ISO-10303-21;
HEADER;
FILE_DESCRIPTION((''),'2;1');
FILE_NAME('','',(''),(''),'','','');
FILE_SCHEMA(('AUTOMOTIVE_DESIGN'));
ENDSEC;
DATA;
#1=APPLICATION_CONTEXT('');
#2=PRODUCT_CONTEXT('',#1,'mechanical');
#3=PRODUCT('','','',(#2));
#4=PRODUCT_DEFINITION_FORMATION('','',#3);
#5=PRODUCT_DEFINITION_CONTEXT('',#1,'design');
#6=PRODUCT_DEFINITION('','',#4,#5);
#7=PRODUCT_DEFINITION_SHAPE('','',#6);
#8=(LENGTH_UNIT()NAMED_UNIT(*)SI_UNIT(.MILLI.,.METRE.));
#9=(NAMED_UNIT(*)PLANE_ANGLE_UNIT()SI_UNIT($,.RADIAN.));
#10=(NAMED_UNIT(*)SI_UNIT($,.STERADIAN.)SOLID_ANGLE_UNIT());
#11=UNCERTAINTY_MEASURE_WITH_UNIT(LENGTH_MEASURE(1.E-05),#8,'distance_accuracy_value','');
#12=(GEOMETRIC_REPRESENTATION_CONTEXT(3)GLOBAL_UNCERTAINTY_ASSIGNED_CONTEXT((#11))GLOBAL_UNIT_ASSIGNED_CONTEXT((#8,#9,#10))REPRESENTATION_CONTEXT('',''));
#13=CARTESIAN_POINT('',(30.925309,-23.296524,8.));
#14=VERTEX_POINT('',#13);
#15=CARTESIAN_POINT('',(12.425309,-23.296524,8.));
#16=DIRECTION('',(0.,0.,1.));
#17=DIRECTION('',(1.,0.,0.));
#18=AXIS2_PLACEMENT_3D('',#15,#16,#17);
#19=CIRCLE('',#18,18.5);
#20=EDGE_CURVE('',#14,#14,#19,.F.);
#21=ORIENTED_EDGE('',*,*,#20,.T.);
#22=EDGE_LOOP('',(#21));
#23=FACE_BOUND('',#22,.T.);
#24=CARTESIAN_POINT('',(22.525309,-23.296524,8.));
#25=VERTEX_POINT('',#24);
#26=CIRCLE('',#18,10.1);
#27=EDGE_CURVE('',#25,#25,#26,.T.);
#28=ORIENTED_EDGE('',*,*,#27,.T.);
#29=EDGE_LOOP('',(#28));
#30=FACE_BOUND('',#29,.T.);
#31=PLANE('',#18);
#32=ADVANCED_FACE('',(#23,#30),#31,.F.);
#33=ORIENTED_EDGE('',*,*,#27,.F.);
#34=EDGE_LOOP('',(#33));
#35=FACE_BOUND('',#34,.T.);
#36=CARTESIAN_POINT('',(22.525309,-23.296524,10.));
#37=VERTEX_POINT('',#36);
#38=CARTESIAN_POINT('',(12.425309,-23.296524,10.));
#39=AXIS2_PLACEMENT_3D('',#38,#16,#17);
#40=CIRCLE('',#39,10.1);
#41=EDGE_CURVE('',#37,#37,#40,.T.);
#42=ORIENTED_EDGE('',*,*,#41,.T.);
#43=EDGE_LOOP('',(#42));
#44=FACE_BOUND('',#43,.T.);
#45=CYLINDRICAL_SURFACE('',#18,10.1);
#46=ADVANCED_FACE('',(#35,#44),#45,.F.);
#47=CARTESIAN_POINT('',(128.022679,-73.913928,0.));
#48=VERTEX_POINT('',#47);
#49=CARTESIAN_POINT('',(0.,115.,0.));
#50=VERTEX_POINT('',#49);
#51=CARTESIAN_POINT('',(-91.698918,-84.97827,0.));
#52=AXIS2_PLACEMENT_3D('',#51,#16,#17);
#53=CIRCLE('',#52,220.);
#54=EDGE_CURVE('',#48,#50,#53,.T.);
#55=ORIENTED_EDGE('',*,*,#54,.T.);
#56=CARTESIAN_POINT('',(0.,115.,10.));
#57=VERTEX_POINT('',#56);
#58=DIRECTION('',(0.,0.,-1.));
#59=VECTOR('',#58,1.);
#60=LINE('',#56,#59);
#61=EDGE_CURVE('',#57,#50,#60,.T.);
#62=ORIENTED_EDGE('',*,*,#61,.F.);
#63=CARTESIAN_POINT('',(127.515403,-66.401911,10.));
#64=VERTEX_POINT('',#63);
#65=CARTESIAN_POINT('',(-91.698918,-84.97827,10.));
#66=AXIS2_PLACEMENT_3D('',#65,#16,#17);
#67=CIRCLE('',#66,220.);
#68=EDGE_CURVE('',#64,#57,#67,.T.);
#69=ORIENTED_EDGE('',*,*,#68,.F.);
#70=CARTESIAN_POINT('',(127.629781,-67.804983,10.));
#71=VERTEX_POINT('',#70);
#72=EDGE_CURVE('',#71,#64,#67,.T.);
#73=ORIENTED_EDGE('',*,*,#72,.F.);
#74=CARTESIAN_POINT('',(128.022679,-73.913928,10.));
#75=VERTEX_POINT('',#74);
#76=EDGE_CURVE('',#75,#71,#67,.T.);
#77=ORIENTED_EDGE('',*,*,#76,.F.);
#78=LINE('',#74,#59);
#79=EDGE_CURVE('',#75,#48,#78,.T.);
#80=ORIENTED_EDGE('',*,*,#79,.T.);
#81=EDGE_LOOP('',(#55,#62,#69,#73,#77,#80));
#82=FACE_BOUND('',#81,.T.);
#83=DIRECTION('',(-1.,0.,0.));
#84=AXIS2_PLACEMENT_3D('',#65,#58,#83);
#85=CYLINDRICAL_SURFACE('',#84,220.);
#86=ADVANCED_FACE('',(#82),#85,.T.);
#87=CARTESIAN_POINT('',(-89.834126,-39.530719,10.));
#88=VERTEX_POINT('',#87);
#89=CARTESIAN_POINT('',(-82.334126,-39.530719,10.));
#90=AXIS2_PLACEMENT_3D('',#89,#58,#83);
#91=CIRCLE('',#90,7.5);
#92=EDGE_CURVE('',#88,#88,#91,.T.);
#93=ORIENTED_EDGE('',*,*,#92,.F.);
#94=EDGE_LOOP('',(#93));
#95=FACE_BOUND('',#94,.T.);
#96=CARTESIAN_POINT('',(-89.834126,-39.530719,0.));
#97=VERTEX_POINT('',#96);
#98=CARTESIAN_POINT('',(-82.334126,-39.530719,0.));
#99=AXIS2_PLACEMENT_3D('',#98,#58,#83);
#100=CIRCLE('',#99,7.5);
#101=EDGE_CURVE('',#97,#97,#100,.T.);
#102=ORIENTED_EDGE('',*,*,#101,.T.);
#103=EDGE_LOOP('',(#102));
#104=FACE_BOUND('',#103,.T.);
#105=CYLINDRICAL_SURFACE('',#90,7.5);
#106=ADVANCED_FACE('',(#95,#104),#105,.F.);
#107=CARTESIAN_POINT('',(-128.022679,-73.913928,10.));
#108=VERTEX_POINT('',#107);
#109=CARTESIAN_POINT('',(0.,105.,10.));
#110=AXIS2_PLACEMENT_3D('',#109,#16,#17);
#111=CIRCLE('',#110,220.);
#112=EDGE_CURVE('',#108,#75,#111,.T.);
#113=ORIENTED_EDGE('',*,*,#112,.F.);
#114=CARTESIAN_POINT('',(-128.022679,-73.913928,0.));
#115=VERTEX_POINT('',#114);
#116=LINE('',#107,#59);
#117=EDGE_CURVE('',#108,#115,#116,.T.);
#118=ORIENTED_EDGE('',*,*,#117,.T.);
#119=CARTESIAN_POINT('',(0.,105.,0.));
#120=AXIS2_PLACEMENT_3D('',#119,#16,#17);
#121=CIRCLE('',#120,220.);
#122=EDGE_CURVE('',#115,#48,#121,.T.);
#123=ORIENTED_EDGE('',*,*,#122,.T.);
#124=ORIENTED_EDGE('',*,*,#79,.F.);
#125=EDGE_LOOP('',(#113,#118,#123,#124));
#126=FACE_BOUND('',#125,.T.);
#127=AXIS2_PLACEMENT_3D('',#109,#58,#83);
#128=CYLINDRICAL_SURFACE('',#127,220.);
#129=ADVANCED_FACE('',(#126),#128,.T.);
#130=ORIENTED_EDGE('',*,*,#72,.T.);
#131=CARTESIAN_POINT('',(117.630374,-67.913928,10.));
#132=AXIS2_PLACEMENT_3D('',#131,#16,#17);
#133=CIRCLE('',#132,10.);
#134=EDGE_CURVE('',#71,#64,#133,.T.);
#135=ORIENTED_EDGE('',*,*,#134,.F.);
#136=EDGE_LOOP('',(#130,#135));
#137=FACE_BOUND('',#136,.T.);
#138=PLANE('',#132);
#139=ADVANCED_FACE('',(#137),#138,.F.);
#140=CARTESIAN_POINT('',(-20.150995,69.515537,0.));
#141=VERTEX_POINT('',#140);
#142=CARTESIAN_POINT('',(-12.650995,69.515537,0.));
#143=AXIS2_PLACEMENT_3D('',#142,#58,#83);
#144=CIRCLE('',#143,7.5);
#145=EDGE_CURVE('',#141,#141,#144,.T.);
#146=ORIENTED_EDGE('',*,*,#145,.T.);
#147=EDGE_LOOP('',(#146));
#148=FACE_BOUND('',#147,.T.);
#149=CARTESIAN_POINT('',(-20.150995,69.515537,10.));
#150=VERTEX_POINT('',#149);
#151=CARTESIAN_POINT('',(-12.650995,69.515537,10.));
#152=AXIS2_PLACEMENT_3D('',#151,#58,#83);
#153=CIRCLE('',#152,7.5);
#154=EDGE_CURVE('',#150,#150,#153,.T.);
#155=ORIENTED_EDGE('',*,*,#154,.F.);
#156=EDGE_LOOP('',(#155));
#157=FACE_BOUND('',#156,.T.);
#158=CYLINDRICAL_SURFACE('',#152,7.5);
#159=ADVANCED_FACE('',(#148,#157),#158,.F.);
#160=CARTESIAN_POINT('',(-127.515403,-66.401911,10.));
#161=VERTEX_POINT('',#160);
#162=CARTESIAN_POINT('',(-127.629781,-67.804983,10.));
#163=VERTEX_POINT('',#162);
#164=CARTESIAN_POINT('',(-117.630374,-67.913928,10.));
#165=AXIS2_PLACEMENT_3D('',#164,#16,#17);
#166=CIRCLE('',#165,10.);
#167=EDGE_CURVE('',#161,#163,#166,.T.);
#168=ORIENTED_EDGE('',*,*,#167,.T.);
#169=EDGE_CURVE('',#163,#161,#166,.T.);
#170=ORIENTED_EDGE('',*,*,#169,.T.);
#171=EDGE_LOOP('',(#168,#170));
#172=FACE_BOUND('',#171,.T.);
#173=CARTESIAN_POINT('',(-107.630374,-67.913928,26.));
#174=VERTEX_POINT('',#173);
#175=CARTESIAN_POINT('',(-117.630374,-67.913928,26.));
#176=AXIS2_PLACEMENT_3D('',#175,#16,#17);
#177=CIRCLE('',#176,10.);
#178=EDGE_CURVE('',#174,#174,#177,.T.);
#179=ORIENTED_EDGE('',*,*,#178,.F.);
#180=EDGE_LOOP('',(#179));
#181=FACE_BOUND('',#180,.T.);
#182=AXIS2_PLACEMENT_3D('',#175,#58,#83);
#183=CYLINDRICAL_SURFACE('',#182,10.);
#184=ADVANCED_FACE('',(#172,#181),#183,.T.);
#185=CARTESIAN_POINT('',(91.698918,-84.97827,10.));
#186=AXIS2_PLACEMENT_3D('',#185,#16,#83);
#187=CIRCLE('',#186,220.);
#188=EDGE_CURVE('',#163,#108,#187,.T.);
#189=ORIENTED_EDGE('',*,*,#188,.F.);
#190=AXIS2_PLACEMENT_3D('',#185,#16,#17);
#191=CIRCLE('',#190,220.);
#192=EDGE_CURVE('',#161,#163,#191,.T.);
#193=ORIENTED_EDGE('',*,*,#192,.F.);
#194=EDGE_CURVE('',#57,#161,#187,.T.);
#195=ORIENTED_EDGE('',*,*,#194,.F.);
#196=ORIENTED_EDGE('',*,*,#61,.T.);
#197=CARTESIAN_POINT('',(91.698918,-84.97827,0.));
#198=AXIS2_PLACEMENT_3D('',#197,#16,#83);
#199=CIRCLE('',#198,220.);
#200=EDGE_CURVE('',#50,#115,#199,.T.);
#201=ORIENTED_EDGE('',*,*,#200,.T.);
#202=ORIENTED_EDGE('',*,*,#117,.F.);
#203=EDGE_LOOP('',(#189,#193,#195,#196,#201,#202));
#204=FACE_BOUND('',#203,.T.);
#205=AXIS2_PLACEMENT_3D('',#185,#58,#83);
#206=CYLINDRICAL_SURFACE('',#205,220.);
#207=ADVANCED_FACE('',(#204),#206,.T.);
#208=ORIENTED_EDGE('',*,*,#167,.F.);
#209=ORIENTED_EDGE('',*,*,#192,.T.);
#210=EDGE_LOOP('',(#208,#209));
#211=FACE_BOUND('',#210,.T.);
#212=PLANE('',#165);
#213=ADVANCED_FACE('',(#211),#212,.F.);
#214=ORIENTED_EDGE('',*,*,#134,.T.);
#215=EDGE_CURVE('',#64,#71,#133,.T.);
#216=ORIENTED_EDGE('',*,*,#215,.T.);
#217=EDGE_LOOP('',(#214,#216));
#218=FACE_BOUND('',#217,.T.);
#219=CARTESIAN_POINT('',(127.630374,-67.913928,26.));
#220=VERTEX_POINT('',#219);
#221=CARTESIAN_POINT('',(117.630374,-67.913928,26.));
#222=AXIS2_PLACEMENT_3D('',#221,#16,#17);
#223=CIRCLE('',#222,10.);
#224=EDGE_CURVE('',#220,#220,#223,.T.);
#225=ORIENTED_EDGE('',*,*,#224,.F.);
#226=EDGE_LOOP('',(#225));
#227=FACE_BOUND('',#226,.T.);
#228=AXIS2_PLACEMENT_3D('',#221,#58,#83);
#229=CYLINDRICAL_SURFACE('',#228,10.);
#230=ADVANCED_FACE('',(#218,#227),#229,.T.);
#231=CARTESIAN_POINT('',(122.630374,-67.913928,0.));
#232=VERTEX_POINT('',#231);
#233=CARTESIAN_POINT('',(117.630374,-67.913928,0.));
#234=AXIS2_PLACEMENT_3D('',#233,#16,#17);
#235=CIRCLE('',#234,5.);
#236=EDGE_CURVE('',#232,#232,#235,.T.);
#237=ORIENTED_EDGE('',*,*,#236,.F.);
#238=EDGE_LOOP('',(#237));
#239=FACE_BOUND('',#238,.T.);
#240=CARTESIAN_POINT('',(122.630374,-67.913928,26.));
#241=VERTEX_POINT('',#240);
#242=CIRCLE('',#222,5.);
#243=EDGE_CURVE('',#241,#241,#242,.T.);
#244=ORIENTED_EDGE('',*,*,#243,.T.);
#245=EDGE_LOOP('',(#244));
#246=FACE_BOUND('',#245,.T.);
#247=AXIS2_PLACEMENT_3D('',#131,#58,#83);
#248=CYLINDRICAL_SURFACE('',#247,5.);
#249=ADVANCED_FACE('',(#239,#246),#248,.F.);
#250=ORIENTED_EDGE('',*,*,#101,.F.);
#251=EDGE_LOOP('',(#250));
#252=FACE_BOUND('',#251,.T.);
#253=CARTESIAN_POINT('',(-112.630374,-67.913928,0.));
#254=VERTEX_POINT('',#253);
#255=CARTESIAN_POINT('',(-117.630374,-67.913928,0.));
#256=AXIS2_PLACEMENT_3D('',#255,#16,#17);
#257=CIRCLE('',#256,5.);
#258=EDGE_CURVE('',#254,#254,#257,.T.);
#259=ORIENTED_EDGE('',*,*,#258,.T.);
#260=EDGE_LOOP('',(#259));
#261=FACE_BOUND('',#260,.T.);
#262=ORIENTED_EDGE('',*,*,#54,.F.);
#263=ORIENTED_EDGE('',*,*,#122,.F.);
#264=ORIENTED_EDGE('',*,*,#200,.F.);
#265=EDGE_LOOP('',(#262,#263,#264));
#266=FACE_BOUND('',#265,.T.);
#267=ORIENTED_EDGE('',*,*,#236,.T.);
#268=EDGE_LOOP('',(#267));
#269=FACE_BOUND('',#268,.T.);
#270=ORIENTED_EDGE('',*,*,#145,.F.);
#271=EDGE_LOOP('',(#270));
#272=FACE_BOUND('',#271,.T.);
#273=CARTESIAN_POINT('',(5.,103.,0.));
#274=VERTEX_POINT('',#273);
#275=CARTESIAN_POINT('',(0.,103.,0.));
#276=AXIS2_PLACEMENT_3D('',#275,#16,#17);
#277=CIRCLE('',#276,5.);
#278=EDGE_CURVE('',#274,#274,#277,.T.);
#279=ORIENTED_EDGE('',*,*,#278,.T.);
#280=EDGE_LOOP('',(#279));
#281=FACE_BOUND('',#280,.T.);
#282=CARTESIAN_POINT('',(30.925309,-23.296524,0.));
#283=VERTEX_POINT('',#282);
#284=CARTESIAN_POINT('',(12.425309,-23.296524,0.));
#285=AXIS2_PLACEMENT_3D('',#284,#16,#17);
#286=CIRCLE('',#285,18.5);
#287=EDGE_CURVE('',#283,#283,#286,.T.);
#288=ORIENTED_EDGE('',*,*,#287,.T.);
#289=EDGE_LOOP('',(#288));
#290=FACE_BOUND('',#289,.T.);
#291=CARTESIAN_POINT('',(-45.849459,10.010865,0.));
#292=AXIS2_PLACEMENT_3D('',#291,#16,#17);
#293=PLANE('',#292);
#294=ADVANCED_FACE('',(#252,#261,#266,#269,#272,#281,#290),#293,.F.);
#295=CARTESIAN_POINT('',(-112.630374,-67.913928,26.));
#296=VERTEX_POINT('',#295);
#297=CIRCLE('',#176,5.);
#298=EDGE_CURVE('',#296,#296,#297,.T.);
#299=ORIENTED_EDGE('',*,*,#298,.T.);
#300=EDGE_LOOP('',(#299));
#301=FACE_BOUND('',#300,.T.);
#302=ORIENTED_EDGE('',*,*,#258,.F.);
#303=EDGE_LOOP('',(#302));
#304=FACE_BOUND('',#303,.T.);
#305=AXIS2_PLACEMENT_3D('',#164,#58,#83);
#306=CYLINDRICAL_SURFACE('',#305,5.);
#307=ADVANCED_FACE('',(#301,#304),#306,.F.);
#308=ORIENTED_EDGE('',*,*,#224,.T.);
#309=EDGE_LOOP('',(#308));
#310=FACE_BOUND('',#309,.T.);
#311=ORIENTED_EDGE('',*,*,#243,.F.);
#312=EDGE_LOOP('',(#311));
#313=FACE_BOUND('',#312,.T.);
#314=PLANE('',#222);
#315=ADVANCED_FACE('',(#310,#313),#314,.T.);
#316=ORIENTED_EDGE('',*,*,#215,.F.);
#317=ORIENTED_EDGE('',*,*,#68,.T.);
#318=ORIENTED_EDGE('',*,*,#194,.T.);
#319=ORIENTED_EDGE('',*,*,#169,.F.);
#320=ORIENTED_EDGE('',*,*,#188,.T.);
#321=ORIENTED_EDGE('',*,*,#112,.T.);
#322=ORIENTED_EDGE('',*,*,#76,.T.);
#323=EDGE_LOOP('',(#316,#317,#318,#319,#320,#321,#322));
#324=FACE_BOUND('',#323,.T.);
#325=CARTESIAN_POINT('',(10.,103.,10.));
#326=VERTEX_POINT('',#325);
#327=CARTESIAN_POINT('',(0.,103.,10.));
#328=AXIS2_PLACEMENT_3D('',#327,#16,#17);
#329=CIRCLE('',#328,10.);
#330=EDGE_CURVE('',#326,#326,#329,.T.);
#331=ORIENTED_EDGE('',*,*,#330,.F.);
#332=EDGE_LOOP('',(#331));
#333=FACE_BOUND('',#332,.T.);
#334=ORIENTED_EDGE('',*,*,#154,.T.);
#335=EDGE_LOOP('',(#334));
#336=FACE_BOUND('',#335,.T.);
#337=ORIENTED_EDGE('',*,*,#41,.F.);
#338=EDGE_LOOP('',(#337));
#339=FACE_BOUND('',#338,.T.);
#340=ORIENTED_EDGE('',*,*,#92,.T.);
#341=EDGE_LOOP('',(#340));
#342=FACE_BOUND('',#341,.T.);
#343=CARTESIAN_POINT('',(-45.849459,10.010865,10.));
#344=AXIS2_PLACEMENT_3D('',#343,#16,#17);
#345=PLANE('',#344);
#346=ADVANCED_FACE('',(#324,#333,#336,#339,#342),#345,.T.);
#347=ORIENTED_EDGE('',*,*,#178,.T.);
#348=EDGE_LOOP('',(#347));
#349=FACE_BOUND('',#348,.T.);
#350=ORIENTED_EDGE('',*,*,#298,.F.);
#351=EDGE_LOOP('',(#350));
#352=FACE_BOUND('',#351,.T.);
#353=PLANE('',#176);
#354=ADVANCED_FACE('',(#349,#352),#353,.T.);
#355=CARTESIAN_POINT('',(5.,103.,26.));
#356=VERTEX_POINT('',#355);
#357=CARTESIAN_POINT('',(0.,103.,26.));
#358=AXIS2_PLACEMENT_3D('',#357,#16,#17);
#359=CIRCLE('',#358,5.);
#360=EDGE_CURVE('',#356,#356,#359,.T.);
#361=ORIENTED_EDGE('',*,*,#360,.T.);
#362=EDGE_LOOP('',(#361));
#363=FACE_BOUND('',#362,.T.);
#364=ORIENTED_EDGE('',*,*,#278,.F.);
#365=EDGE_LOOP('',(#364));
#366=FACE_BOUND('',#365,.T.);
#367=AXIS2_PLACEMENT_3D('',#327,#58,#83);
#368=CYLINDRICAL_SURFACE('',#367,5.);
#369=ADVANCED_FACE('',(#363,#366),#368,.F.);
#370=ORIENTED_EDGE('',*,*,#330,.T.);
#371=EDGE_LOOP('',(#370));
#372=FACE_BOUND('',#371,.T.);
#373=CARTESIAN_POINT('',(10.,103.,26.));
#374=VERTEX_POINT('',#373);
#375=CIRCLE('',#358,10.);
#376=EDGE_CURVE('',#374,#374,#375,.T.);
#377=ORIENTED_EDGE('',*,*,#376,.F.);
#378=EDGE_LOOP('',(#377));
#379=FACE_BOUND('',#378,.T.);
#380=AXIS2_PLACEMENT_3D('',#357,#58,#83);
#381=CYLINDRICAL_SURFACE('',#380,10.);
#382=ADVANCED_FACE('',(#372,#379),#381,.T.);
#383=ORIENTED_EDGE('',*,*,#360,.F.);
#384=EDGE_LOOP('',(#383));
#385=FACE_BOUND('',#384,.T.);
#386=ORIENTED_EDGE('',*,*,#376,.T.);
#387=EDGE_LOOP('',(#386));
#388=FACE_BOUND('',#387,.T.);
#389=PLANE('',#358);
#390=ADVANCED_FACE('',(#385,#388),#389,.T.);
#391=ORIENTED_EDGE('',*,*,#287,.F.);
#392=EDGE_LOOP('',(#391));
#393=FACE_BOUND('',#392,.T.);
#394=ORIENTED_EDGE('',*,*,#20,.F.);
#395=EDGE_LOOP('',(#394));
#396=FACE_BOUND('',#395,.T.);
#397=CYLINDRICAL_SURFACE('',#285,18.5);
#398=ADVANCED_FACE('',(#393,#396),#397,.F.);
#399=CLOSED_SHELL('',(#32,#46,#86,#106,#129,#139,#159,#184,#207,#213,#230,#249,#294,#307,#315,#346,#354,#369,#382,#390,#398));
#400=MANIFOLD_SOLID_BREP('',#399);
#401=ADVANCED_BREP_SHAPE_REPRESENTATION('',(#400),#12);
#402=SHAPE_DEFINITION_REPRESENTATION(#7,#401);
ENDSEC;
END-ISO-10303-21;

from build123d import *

# Parameters (mm, degrees)
SKETCH_1_R          = 5
EXTRUDE_1_DEPTH     = 10
SKETCH_2_R          = 10
SKETCH_2_R_2        = 5
EXTRUDE_2_DEPTH     = 16
SKETCH_3_R          = 7.5
CUT_EXTRUDE_1_DEPTH = 10
SKETCH_4_R          = 18.5
CUT_EXTRUDE_2_DEPTH = 10
SKETCH_5_R          = 18.5
SKETCH_5_R_2        = 10.1
EXTRUDE_3_DEPTH     = 2


with BuildPart() as part:
    # 草图1 → 凸台-拉伸1 (new body)
    with BuildSketch(Plane.XY):
        with BuildLine():
            ThreePointArc((-128.022678922, -73.913928138), (-90.421378279, 38.440519474), (0, 115))
            ThreePointArc((0, 115), (90.421378279, 38.440519474), (128.022678922, -73.913928138))
            ThreePointArc((128.022678922, -73.913928138), (0, -115), (-128.022678922, -73.913928138))
        make_face()
        with Locations((0, 103)):
            Circle(SKETCH_1_R, mode=Mode.SUBTRACT)
        with Locations((-117.630374076, -67.913928138)):
            Circle(SKETCH_1_R, mode=Mode.SUBTRACT)
        with Locations((117.630374076, -67.913928138)):
            Circle(SKETCH_1_R, mode=Mode.SUBTRACT)
    extrude(amount=EXTRUDE_1_DEPTH)

    # 草图2 → 凸台-拉伸2 (add)
    # profile 1 of 3: a face of its own
    with BuildSketch(Plane.XY.offset(10)):
        with Locations((0, 103)):
            Circle(SKETCH_2_R)
        with Locations((0, 103)):
            Circle(SKETCH_2_R_2, mode=Mode.SUBTRACT)
    # profile 2 of 3: a face of its own
    with BuildSketch(Plane.XY.offset(10)):
        with Locations(Location((-117.630374076, -67.913928138, 0), (0, 0, 179.375778052))):
            Circle(SKETCH_2_R)
        with Locations((-117.630374076, -67.913928138)):
            Circle(SKETCH_2_R_2, mode=Mode.SUBTRACT)
    # profile 3 of 3: a face of its own
    with BuildSketch(Plane.XY.offset(10)):
        with Locations(Location((117.630374076, -67.913928138, 0), (0, 0, 8.696571879))):
            Circle(SKETCH_2_R)
        with Locations((117.630374076, -67.913928138)):
            Circle(SKETCH_2_R_2, mode=Mode.SUBTRACT)
    extrude(amount=EXTRUDE_2_DEPTH)

    # 草图3 → 切除-拉伸1 (cut)
    with BuildSketch(Plane(origin=(0, 0, 0), x_dir=(-1, 0, 0), z_dir=(0, 0, -1))):
        with Locations((12.650995066, 69.515536741)):
            Circle(SKETCH_3_R)
        with Locations((82.334125615, -39.530718783)):
            Circle(SKETCH_3_R)
    extrude(amount=-CUT_EXTRUDE_1_DEPTH, mode=Mode.SUBTRACT)

    # 草图4 → 切除-拉伸2 (cut)
    with BuildSketch(Plane.XY.offset(10)):
        with Locations((12.425309319, -23.296523673)):
            Circle(SKETCH_4_R)
    extrude(amount=-CUT_EXTRUDE_2_DEPTH, mode=Mode.SUBTRACT)

    # 草图5 → 凸台-拉伸3 (add)
    with BuildSketch(Plane.XY.offset(10)):
        with Locations((12.425309319, -23.296523673)):
            Circle(SKETCH_5_R)
        with Locations((12.425309319, -23.296523673)):
            Circle(SKETCH_5_R_2, mode=Mode.SUBTRACT)
    extrude(amount=-EXTRUDE_3_DEPTH)


solid = part.part
